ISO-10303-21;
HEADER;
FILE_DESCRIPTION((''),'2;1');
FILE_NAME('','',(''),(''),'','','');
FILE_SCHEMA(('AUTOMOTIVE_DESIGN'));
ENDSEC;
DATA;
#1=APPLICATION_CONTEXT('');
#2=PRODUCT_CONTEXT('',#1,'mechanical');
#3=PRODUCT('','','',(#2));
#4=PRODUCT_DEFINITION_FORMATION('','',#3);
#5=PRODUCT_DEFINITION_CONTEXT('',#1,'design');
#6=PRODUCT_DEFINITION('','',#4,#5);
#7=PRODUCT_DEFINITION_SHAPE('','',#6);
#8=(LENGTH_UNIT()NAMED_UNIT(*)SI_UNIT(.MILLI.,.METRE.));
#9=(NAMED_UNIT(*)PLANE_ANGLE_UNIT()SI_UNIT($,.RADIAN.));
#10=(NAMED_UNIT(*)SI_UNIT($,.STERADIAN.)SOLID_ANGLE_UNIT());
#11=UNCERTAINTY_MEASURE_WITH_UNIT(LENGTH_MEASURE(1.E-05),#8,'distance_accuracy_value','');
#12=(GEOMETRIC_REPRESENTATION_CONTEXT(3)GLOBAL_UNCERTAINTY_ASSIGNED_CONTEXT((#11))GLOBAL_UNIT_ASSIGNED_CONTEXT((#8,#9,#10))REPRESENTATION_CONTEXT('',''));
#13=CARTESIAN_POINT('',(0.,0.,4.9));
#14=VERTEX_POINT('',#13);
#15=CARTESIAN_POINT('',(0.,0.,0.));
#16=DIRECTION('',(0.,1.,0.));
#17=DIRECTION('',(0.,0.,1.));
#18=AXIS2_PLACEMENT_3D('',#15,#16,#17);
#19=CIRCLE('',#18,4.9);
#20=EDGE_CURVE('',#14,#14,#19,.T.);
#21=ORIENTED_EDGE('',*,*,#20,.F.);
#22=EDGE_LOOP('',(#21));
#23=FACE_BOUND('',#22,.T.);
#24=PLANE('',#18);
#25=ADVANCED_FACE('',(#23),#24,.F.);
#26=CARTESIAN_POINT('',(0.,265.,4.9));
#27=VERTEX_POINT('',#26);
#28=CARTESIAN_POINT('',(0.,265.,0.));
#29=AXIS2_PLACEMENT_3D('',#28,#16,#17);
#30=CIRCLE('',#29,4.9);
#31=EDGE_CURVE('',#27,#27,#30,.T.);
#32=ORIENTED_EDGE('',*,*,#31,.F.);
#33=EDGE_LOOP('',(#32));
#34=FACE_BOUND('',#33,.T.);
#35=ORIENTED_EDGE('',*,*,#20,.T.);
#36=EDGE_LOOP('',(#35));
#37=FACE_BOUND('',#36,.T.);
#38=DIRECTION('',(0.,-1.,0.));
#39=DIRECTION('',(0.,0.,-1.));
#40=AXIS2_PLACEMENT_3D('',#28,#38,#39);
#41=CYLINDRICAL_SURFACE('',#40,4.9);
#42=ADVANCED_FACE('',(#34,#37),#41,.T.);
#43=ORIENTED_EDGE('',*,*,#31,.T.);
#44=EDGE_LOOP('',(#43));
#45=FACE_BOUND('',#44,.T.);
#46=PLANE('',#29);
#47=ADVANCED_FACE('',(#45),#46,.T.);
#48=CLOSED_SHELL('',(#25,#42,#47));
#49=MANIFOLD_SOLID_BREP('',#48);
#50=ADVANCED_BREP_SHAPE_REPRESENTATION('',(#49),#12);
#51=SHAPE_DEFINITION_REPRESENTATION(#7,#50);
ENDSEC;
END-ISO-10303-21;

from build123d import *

# Parameters (mm, degrees)
SKETCH1_R           = 4.9
BOSS_EXTRUDE1_DEPTH = 265


with BuildPart() as part:
    # Sketch1 → Boss-Extrude1 (new body)
    with BuildSketch(Plane(origin=(0, 0, 0), x_dir=(1, 0, 0), z_dir=(0, 1, 0))):
        Circle(SKETCH1_R)
    extrude(amount=BOSS_EXTRUDE1_DEPTH)


solid = part.part
